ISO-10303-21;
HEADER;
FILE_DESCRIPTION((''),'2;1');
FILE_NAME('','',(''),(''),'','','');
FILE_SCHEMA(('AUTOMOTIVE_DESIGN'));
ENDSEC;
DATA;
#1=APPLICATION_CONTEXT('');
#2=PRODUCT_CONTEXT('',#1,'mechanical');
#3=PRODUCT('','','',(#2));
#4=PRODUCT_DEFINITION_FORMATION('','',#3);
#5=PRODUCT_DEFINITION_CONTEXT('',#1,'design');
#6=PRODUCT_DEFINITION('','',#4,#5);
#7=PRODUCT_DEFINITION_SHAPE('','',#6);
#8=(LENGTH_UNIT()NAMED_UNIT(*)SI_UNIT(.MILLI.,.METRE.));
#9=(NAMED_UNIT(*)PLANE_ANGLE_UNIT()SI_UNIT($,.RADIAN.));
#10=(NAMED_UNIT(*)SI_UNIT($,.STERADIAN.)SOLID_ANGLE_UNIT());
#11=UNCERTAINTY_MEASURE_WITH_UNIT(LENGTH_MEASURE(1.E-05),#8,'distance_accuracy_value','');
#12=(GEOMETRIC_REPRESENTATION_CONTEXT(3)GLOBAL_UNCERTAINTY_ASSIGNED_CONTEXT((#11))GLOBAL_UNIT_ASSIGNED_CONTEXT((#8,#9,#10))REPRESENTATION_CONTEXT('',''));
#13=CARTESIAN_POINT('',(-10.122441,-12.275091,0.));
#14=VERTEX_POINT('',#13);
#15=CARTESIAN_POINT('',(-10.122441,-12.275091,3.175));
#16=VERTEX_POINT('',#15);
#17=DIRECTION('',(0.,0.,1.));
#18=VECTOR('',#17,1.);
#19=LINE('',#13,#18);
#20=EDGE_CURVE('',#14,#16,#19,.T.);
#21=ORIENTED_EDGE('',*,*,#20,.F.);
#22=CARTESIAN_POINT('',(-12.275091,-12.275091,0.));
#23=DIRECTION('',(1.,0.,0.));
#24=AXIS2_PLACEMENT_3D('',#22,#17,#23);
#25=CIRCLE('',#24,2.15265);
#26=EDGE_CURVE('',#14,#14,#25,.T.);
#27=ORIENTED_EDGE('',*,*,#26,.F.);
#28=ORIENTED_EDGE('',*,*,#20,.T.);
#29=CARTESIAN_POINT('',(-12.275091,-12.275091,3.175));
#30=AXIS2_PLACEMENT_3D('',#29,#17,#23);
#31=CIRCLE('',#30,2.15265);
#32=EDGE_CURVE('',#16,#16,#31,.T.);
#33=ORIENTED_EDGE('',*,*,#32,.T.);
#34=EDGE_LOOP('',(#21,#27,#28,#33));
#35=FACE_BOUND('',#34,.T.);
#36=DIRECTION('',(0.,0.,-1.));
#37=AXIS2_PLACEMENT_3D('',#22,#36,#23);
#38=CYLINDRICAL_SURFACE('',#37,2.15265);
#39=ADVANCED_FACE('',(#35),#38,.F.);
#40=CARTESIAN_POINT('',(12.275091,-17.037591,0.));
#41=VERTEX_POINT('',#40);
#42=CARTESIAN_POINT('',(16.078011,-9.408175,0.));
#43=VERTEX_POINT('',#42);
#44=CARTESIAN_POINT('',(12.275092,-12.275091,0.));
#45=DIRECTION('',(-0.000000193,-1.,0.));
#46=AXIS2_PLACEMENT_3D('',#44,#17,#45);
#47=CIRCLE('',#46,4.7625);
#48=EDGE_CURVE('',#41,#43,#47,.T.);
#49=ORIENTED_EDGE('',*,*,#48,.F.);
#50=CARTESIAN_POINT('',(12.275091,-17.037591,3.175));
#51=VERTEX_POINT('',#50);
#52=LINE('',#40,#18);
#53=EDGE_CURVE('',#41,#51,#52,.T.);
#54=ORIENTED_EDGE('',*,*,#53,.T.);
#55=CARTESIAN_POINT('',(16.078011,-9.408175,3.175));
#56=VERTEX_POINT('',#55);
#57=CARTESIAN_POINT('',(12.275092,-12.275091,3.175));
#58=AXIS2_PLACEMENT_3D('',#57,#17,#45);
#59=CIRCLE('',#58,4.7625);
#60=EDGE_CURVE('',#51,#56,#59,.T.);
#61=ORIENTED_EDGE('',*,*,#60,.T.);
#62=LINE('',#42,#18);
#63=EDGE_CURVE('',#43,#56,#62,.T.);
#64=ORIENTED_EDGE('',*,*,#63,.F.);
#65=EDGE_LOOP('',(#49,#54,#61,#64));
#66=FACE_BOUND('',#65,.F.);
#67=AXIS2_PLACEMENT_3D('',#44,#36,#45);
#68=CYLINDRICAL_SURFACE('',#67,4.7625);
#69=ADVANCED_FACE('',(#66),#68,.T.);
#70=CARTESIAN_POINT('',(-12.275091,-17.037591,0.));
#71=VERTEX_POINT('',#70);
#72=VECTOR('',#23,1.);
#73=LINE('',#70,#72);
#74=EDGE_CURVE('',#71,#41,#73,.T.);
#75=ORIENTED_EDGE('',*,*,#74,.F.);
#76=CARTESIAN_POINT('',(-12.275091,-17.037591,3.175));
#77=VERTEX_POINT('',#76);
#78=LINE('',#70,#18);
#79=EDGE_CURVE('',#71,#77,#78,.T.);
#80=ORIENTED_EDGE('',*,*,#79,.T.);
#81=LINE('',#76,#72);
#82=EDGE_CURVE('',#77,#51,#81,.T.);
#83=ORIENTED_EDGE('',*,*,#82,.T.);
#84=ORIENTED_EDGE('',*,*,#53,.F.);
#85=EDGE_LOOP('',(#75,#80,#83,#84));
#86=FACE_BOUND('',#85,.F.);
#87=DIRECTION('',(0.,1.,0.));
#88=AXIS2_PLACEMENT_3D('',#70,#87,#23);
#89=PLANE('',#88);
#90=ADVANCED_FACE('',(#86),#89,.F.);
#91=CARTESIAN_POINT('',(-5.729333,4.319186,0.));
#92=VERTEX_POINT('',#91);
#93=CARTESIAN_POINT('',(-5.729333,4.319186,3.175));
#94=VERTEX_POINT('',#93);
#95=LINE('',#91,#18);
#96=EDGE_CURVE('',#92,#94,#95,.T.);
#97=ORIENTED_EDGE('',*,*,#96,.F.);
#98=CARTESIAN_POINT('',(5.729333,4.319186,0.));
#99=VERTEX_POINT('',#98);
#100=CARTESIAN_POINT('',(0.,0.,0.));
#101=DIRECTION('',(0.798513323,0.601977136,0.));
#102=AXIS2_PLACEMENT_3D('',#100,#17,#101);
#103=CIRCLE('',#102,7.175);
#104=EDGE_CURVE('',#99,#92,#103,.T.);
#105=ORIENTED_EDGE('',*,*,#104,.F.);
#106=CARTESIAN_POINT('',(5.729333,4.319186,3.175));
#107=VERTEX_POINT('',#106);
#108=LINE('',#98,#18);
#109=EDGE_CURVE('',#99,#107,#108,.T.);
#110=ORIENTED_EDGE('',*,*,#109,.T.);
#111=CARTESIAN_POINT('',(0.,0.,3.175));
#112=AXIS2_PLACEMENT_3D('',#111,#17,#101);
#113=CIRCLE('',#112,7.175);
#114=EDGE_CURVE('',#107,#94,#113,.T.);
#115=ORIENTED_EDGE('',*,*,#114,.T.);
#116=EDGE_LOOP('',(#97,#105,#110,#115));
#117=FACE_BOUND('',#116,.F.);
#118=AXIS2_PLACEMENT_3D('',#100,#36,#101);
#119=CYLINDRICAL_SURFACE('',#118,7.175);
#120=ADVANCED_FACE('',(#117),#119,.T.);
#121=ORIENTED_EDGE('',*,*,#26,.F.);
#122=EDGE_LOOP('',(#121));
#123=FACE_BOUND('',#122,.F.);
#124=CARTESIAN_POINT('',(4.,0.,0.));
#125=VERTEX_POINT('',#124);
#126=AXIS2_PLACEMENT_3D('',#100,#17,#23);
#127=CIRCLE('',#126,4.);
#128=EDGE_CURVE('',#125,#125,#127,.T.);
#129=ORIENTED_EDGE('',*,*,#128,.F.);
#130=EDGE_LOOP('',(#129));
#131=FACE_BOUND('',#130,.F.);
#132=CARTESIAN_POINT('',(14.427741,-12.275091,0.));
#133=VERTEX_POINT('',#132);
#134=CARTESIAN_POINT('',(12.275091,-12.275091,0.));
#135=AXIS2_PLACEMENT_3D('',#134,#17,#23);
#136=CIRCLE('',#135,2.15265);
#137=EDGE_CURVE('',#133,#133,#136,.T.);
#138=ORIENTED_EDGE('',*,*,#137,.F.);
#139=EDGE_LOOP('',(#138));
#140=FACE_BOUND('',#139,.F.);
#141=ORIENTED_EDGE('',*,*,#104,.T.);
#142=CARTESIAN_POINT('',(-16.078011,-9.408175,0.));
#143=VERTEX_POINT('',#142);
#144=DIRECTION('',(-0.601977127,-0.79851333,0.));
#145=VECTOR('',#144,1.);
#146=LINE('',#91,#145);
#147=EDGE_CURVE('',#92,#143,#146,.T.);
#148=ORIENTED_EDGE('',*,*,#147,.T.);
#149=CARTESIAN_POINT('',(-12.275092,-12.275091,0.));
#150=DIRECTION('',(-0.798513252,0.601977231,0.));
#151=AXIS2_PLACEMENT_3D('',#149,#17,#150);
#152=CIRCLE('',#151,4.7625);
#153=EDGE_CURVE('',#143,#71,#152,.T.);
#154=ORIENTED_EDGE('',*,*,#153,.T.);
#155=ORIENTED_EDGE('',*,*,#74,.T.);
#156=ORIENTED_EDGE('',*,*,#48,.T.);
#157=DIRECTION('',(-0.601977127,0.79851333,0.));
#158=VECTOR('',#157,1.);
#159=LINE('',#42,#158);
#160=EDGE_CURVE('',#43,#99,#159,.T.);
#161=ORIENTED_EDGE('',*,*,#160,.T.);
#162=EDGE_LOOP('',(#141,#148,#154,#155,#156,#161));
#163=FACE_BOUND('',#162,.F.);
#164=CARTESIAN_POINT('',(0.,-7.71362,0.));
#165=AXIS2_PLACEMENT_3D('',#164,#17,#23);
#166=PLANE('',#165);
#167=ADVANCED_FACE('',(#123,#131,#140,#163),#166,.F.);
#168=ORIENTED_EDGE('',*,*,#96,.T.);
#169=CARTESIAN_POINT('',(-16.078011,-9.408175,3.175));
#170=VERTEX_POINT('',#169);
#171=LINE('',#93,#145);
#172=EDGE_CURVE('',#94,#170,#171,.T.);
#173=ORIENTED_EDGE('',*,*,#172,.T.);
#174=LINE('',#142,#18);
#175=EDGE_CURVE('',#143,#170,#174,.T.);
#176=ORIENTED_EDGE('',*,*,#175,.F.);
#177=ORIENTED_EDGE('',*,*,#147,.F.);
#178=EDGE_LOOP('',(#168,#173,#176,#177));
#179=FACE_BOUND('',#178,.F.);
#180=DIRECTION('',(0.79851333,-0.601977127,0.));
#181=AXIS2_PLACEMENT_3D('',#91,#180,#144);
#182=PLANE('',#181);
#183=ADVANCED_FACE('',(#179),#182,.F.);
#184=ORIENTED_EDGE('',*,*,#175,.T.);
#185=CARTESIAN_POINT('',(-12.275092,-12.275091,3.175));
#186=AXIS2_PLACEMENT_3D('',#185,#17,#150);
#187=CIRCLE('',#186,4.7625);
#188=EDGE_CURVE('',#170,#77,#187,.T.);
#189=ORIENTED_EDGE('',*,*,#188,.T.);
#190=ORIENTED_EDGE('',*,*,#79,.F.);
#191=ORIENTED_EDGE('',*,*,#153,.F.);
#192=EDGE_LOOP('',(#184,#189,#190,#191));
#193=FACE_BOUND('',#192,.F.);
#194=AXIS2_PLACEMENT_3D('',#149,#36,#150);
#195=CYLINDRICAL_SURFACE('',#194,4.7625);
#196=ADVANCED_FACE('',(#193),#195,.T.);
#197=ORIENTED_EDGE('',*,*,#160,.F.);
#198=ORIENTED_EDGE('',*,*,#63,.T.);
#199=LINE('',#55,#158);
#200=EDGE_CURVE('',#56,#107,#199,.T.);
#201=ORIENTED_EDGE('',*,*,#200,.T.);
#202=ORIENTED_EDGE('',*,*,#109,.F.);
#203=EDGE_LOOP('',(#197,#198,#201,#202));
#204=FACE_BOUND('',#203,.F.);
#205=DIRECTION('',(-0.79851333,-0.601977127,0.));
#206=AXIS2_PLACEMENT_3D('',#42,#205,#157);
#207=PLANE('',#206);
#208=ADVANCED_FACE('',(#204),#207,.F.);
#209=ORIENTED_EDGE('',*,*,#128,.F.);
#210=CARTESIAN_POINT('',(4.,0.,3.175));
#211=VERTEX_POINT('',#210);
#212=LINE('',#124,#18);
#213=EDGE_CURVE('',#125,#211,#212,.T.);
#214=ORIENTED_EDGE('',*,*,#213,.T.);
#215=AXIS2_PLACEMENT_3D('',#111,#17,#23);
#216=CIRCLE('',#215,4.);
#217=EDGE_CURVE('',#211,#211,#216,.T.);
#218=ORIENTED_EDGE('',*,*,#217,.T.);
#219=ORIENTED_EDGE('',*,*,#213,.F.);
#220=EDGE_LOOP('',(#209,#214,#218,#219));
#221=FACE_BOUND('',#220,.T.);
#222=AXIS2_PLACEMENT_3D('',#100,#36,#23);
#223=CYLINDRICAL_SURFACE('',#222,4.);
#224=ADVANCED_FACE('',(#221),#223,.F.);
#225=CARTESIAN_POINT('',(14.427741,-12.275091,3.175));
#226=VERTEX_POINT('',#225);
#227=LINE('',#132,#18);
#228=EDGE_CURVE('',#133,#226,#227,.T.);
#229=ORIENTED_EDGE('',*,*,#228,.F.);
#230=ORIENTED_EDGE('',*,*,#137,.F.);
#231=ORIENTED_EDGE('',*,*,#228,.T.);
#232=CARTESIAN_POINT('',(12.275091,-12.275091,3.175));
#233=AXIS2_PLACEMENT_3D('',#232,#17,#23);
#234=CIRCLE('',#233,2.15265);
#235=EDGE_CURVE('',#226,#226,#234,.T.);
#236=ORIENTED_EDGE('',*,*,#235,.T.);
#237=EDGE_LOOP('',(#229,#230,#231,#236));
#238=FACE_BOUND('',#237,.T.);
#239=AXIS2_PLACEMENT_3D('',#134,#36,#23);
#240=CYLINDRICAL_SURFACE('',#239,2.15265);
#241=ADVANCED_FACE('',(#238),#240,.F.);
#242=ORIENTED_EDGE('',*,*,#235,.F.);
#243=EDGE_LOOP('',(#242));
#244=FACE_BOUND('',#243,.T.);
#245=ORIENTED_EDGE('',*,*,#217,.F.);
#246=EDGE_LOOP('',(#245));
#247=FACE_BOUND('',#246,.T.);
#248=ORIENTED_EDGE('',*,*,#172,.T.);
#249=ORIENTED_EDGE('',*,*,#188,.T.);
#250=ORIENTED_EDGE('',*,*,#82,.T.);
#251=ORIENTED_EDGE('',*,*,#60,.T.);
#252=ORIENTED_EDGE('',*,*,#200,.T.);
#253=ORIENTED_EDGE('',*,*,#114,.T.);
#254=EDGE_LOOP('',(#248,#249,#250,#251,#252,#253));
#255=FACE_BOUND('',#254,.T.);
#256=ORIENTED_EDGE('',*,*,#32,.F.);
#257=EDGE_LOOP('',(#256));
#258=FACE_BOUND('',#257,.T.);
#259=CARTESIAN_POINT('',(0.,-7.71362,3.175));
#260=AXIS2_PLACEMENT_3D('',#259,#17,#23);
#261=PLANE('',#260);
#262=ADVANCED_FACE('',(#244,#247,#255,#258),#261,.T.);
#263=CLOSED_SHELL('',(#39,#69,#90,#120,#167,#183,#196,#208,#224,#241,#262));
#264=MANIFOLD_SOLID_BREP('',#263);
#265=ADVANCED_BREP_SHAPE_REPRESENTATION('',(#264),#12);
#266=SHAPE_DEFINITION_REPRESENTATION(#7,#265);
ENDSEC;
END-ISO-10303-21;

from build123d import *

# Parameters (mm, degrees)
F0_R     = 2.15265
F0_R_2   = 4
F1_DEPTH = 3.175


with BuildPart() as f1:
    # F0 (on Top) → F1 (new body)
    with BuildSketch(Plane.XY):
        with BuildLine():
            Line((16.078011, -9.408175), (5.729333, 4.319186))
            ThreePointArc((5.729333, 4.319186), (0, 7.175), (-5.729333, 4.319186))
            Line((-5.729333, 4.319186), (-16.078011, -9.408175))
            ThreePointArc((-16.078011, -9.408175), (-16.537432, -14.399676), (-12.275091, -17.037591))
            Line((-12.275091, -17.037591), (12.275091, -17.037591))
            ThreePointArc((12.275091, -17.037591), (16.537432, -14.399676), (16.078011, -9.408175))
        make_face()
        with Locations((-12.275091, -12.275091)):
            Circle(F0_R, mode=Mode.SUBTRACT)
        with Locations((12.275091, -12.275091)):
            Circle(F0_R, mode=Mode.SUBTRACT)
        Circle(F0_R_2, mode=Mode.SUBTRACT)
    extrude(amount=F1_DEPTH)


solid = f1.part
